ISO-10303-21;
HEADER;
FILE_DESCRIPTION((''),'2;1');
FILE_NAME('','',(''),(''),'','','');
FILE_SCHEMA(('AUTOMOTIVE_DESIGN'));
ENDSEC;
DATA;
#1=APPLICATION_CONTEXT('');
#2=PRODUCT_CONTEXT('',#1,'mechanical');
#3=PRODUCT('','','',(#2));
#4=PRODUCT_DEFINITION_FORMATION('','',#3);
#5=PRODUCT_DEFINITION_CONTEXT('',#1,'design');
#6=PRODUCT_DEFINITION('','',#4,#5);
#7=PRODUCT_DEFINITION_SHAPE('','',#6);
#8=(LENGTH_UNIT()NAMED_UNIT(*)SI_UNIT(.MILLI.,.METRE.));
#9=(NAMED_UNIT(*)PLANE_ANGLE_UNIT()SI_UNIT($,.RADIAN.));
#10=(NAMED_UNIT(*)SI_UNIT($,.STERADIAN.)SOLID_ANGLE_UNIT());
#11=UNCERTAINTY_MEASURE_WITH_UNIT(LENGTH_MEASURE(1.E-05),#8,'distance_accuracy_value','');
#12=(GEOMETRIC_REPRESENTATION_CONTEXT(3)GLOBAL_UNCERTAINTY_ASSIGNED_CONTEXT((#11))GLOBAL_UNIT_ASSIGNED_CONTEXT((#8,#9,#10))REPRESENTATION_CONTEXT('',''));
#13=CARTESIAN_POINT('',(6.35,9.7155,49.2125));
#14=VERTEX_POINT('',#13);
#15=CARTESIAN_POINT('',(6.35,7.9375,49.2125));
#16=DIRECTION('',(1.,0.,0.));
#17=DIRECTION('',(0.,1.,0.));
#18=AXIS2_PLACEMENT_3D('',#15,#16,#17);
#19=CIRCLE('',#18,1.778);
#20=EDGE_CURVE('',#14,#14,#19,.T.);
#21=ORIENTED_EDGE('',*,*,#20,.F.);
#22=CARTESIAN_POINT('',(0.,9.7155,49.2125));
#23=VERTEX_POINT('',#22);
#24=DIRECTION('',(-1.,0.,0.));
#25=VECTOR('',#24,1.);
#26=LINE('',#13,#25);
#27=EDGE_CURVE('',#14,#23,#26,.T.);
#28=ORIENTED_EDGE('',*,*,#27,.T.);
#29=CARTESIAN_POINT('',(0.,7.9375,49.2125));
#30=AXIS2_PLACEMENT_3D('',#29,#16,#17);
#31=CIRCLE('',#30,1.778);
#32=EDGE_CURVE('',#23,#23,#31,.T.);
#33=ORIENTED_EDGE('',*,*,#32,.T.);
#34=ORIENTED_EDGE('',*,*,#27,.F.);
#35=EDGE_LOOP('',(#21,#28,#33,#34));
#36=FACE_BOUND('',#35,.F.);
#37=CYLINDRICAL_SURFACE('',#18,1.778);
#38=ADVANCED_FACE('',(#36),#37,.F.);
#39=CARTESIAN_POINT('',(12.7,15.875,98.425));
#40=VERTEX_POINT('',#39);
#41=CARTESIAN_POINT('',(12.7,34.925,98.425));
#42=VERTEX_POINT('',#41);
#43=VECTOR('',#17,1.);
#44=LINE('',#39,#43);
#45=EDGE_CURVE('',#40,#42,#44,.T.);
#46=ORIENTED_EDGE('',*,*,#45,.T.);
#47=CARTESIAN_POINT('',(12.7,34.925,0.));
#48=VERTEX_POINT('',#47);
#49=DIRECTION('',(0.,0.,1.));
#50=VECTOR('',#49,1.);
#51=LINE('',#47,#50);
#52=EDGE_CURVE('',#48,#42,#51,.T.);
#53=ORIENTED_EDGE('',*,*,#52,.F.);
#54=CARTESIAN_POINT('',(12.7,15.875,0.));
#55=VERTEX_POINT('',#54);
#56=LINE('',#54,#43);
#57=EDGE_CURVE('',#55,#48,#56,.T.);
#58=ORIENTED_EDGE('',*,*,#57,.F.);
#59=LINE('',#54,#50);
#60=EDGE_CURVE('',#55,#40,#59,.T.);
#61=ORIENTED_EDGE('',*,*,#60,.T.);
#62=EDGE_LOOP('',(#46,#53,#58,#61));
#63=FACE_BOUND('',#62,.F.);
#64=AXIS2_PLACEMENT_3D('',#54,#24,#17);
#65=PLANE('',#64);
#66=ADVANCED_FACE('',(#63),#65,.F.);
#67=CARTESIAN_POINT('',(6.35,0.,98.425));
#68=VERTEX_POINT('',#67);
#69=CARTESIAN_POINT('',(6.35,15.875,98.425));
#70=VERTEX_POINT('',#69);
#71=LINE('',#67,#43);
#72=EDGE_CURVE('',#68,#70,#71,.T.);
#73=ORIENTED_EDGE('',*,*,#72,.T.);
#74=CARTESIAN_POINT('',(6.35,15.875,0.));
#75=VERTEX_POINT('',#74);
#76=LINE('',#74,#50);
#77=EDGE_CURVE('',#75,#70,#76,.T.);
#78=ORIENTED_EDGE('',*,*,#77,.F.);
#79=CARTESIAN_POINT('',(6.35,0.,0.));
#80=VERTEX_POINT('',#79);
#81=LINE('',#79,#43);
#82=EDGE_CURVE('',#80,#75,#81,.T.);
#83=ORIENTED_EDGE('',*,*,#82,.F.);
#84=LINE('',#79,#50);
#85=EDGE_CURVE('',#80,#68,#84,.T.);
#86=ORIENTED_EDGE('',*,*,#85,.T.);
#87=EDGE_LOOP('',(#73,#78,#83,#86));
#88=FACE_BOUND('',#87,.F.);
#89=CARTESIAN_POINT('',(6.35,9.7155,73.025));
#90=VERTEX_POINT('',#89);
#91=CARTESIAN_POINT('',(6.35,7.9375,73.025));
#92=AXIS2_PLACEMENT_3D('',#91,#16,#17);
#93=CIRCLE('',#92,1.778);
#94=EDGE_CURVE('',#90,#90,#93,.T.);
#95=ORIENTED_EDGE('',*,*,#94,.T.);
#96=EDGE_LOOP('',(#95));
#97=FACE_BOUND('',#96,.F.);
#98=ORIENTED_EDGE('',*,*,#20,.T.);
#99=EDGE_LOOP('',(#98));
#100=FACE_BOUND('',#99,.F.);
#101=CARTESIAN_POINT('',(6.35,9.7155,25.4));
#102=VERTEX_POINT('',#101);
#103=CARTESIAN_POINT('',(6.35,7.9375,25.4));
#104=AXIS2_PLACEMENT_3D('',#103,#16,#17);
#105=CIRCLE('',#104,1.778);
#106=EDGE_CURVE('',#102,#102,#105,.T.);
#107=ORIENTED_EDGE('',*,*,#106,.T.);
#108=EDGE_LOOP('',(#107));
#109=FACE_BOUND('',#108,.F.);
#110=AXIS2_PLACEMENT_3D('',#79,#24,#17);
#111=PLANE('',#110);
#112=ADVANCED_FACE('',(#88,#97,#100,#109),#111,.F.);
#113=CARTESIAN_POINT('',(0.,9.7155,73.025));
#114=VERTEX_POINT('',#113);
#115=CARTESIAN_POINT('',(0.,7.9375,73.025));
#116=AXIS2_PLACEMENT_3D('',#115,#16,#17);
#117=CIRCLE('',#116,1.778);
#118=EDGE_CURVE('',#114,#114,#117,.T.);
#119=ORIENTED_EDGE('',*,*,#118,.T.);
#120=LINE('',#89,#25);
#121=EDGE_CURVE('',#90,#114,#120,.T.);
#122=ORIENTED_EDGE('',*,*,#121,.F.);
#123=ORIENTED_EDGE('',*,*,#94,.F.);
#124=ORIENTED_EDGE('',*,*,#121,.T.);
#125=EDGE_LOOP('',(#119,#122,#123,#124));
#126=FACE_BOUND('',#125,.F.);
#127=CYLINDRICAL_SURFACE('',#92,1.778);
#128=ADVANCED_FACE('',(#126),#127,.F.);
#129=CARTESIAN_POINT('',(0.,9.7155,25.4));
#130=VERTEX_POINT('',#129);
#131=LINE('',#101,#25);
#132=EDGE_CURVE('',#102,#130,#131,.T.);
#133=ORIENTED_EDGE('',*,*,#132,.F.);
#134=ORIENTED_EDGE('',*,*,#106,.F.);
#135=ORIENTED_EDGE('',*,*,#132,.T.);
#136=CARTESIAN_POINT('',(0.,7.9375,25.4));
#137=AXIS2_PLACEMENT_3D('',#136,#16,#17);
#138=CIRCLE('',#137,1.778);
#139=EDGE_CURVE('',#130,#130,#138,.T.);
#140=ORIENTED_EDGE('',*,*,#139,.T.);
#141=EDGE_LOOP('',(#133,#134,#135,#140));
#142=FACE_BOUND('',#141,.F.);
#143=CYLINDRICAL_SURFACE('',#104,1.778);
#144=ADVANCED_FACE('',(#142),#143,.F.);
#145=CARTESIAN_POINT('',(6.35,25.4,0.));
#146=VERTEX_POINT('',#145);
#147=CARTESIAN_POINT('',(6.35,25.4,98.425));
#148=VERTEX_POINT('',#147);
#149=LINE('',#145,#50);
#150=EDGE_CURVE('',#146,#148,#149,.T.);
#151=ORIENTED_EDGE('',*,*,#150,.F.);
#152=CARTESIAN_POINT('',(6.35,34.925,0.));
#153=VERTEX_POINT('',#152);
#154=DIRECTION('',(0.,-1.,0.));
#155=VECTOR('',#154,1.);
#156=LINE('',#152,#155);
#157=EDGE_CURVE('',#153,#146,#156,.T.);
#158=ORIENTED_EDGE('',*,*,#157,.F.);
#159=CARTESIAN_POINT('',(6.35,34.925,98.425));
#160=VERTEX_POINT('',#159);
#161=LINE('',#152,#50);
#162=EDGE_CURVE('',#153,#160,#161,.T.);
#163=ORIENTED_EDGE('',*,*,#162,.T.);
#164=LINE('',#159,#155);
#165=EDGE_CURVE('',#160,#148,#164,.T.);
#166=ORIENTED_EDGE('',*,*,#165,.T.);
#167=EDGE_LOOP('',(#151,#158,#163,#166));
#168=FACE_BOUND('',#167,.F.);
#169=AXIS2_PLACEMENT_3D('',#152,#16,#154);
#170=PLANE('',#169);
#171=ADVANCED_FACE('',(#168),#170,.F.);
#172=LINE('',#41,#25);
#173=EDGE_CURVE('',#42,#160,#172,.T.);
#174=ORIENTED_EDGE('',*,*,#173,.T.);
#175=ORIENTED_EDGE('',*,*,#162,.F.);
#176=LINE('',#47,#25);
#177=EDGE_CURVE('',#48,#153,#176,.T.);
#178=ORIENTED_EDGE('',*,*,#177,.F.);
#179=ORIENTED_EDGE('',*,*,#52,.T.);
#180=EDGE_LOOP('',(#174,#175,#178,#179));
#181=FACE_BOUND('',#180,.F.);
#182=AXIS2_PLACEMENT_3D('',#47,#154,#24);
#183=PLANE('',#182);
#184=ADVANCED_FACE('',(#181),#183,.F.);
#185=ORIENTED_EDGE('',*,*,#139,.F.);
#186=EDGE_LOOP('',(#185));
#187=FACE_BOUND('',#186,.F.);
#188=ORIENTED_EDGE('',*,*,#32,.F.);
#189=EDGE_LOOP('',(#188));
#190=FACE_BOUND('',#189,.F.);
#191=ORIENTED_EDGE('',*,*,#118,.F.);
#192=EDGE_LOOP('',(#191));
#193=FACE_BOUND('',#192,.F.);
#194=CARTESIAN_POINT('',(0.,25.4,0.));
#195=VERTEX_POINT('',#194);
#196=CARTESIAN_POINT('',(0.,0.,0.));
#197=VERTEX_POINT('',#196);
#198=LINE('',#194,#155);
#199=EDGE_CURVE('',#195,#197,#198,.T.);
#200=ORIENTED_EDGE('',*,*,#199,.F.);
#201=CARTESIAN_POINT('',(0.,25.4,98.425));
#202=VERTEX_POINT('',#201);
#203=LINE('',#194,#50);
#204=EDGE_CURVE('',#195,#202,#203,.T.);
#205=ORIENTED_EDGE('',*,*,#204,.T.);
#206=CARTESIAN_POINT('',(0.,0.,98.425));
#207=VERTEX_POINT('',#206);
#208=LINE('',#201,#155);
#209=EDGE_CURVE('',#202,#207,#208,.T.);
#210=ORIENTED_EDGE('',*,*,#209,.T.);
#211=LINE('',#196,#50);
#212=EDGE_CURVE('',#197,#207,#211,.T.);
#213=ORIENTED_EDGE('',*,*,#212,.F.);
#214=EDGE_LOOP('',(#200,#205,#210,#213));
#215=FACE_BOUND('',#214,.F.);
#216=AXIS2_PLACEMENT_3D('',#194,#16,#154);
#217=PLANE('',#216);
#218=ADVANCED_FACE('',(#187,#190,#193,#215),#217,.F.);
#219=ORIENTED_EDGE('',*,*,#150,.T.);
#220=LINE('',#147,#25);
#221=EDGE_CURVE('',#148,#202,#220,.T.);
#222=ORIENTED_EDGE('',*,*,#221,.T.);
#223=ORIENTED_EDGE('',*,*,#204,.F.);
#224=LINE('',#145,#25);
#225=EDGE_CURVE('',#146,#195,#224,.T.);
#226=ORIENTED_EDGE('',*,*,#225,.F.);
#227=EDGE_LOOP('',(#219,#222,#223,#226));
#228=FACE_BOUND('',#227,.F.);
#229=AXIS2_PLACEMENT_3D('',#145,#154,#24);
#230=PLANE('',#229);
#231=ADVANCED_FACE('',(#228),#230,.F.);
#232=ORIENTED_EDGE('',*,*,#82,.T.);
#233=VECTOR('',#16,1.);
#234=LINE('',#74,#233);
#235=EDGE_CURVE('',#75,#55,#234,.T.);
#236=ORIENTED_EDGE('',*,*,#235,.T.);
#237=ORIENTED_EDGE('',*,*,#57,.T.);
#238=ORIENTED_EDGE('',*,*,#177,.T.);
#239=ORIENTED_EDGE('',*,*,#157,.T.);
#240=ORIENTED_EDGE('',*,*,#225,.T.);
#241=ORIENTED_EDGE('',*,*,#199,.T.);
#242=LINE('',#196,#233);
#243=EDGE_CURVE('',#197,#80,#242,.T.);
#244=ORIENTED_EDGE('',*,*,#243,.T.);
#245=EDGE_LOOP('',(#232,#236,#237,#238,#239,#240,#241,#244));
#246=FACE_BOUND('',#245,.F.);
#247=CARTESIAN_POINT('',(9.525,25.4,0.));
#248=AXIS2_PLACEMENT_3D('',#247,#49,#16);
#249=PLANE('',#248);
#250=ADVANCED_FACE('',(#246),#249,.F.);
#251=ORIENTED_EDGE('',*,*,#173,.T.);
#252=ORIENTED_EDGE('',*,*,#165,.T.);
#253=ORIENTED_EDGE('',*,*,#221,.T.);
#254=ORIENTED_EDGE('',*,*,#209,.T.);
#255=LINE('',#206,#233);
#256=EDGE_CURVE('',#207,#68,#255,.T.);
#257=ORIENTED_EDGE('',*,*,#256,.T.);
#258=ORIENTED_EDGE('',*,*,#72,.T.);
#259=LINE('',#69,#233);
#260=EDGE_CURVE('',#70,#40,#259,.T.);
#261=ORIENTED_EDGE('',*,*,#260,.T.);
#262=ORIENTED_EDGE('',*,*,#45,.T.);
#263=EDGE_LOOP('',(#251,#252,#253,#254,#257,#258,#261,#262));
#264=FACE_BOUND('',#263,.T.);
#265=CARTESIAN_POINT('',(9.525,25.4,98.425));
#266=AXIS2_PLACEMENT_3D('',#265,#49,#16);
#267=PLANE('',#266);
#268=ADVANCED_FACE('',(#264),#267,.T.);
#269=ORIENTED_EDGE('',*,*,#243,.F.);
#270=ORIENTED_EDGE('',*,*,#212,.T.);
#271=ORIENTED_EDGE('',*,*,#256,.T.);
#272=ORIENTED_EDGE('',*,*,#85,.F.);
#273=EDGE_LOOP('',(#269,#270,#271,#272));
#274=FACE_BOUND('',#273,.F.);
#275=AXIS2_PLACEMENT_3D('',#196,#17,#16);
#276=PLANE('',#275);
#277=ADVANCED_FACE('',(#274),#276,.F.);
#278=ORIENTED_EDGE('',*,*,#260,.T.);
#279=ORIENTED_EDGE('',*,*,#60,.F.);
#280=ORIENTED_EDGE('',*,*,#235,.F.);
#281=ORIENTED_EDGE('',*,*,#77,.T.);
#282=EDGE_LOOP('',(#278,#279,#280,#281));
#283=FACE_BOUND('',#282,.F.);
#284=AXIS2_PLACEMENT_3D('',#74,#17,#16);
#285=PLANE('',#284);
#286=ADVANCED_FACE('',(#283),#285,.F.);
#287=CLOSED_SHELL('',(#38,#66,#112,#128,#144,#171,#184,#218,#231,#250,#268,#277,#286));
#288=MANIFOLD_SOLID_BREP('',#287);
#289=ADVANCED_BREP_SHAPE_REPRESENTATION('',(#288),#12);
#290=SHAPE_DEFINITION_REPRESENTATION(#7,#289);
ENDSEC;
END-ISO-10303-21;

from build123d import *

# Parameters (mm, degrees)
F1_DEPTH = 98.425
F2_R     = 1.778
F3_DEPTH = 25.4


with BuildPart() as f1:
    # F0 (on Top) → F1 (new body)
    with BuildSketch(Plane.XY):
        Polygon((6.35, 25.4), (6.35, 15.875), (12.7, 15.875), (12.7, 34.925), (6.35, 34.925), align=None)
        Polygon((0, 25.4), (0, 0), (6.35, 0), (6.35, 15.875), (6.35, 25.4), align=None)
    extrude(amount=F1_DEPTH)

    # F2 (on face) → F3 (cut)
    with BuildSketch(Plane.YZ.offset(6.35)):
        with Locations((7.9375, 73.025)):
            Circle(F2_R)
        with Locations((7.9375, 49.2125)):
            Circle(F2_R)
        with Locations((7.9375, 25.4)):
            Circle(F2_R)
    extrude(amount=-F3_DEPTH, mode=Mode.SUBTRACT)


solid = f1.part
